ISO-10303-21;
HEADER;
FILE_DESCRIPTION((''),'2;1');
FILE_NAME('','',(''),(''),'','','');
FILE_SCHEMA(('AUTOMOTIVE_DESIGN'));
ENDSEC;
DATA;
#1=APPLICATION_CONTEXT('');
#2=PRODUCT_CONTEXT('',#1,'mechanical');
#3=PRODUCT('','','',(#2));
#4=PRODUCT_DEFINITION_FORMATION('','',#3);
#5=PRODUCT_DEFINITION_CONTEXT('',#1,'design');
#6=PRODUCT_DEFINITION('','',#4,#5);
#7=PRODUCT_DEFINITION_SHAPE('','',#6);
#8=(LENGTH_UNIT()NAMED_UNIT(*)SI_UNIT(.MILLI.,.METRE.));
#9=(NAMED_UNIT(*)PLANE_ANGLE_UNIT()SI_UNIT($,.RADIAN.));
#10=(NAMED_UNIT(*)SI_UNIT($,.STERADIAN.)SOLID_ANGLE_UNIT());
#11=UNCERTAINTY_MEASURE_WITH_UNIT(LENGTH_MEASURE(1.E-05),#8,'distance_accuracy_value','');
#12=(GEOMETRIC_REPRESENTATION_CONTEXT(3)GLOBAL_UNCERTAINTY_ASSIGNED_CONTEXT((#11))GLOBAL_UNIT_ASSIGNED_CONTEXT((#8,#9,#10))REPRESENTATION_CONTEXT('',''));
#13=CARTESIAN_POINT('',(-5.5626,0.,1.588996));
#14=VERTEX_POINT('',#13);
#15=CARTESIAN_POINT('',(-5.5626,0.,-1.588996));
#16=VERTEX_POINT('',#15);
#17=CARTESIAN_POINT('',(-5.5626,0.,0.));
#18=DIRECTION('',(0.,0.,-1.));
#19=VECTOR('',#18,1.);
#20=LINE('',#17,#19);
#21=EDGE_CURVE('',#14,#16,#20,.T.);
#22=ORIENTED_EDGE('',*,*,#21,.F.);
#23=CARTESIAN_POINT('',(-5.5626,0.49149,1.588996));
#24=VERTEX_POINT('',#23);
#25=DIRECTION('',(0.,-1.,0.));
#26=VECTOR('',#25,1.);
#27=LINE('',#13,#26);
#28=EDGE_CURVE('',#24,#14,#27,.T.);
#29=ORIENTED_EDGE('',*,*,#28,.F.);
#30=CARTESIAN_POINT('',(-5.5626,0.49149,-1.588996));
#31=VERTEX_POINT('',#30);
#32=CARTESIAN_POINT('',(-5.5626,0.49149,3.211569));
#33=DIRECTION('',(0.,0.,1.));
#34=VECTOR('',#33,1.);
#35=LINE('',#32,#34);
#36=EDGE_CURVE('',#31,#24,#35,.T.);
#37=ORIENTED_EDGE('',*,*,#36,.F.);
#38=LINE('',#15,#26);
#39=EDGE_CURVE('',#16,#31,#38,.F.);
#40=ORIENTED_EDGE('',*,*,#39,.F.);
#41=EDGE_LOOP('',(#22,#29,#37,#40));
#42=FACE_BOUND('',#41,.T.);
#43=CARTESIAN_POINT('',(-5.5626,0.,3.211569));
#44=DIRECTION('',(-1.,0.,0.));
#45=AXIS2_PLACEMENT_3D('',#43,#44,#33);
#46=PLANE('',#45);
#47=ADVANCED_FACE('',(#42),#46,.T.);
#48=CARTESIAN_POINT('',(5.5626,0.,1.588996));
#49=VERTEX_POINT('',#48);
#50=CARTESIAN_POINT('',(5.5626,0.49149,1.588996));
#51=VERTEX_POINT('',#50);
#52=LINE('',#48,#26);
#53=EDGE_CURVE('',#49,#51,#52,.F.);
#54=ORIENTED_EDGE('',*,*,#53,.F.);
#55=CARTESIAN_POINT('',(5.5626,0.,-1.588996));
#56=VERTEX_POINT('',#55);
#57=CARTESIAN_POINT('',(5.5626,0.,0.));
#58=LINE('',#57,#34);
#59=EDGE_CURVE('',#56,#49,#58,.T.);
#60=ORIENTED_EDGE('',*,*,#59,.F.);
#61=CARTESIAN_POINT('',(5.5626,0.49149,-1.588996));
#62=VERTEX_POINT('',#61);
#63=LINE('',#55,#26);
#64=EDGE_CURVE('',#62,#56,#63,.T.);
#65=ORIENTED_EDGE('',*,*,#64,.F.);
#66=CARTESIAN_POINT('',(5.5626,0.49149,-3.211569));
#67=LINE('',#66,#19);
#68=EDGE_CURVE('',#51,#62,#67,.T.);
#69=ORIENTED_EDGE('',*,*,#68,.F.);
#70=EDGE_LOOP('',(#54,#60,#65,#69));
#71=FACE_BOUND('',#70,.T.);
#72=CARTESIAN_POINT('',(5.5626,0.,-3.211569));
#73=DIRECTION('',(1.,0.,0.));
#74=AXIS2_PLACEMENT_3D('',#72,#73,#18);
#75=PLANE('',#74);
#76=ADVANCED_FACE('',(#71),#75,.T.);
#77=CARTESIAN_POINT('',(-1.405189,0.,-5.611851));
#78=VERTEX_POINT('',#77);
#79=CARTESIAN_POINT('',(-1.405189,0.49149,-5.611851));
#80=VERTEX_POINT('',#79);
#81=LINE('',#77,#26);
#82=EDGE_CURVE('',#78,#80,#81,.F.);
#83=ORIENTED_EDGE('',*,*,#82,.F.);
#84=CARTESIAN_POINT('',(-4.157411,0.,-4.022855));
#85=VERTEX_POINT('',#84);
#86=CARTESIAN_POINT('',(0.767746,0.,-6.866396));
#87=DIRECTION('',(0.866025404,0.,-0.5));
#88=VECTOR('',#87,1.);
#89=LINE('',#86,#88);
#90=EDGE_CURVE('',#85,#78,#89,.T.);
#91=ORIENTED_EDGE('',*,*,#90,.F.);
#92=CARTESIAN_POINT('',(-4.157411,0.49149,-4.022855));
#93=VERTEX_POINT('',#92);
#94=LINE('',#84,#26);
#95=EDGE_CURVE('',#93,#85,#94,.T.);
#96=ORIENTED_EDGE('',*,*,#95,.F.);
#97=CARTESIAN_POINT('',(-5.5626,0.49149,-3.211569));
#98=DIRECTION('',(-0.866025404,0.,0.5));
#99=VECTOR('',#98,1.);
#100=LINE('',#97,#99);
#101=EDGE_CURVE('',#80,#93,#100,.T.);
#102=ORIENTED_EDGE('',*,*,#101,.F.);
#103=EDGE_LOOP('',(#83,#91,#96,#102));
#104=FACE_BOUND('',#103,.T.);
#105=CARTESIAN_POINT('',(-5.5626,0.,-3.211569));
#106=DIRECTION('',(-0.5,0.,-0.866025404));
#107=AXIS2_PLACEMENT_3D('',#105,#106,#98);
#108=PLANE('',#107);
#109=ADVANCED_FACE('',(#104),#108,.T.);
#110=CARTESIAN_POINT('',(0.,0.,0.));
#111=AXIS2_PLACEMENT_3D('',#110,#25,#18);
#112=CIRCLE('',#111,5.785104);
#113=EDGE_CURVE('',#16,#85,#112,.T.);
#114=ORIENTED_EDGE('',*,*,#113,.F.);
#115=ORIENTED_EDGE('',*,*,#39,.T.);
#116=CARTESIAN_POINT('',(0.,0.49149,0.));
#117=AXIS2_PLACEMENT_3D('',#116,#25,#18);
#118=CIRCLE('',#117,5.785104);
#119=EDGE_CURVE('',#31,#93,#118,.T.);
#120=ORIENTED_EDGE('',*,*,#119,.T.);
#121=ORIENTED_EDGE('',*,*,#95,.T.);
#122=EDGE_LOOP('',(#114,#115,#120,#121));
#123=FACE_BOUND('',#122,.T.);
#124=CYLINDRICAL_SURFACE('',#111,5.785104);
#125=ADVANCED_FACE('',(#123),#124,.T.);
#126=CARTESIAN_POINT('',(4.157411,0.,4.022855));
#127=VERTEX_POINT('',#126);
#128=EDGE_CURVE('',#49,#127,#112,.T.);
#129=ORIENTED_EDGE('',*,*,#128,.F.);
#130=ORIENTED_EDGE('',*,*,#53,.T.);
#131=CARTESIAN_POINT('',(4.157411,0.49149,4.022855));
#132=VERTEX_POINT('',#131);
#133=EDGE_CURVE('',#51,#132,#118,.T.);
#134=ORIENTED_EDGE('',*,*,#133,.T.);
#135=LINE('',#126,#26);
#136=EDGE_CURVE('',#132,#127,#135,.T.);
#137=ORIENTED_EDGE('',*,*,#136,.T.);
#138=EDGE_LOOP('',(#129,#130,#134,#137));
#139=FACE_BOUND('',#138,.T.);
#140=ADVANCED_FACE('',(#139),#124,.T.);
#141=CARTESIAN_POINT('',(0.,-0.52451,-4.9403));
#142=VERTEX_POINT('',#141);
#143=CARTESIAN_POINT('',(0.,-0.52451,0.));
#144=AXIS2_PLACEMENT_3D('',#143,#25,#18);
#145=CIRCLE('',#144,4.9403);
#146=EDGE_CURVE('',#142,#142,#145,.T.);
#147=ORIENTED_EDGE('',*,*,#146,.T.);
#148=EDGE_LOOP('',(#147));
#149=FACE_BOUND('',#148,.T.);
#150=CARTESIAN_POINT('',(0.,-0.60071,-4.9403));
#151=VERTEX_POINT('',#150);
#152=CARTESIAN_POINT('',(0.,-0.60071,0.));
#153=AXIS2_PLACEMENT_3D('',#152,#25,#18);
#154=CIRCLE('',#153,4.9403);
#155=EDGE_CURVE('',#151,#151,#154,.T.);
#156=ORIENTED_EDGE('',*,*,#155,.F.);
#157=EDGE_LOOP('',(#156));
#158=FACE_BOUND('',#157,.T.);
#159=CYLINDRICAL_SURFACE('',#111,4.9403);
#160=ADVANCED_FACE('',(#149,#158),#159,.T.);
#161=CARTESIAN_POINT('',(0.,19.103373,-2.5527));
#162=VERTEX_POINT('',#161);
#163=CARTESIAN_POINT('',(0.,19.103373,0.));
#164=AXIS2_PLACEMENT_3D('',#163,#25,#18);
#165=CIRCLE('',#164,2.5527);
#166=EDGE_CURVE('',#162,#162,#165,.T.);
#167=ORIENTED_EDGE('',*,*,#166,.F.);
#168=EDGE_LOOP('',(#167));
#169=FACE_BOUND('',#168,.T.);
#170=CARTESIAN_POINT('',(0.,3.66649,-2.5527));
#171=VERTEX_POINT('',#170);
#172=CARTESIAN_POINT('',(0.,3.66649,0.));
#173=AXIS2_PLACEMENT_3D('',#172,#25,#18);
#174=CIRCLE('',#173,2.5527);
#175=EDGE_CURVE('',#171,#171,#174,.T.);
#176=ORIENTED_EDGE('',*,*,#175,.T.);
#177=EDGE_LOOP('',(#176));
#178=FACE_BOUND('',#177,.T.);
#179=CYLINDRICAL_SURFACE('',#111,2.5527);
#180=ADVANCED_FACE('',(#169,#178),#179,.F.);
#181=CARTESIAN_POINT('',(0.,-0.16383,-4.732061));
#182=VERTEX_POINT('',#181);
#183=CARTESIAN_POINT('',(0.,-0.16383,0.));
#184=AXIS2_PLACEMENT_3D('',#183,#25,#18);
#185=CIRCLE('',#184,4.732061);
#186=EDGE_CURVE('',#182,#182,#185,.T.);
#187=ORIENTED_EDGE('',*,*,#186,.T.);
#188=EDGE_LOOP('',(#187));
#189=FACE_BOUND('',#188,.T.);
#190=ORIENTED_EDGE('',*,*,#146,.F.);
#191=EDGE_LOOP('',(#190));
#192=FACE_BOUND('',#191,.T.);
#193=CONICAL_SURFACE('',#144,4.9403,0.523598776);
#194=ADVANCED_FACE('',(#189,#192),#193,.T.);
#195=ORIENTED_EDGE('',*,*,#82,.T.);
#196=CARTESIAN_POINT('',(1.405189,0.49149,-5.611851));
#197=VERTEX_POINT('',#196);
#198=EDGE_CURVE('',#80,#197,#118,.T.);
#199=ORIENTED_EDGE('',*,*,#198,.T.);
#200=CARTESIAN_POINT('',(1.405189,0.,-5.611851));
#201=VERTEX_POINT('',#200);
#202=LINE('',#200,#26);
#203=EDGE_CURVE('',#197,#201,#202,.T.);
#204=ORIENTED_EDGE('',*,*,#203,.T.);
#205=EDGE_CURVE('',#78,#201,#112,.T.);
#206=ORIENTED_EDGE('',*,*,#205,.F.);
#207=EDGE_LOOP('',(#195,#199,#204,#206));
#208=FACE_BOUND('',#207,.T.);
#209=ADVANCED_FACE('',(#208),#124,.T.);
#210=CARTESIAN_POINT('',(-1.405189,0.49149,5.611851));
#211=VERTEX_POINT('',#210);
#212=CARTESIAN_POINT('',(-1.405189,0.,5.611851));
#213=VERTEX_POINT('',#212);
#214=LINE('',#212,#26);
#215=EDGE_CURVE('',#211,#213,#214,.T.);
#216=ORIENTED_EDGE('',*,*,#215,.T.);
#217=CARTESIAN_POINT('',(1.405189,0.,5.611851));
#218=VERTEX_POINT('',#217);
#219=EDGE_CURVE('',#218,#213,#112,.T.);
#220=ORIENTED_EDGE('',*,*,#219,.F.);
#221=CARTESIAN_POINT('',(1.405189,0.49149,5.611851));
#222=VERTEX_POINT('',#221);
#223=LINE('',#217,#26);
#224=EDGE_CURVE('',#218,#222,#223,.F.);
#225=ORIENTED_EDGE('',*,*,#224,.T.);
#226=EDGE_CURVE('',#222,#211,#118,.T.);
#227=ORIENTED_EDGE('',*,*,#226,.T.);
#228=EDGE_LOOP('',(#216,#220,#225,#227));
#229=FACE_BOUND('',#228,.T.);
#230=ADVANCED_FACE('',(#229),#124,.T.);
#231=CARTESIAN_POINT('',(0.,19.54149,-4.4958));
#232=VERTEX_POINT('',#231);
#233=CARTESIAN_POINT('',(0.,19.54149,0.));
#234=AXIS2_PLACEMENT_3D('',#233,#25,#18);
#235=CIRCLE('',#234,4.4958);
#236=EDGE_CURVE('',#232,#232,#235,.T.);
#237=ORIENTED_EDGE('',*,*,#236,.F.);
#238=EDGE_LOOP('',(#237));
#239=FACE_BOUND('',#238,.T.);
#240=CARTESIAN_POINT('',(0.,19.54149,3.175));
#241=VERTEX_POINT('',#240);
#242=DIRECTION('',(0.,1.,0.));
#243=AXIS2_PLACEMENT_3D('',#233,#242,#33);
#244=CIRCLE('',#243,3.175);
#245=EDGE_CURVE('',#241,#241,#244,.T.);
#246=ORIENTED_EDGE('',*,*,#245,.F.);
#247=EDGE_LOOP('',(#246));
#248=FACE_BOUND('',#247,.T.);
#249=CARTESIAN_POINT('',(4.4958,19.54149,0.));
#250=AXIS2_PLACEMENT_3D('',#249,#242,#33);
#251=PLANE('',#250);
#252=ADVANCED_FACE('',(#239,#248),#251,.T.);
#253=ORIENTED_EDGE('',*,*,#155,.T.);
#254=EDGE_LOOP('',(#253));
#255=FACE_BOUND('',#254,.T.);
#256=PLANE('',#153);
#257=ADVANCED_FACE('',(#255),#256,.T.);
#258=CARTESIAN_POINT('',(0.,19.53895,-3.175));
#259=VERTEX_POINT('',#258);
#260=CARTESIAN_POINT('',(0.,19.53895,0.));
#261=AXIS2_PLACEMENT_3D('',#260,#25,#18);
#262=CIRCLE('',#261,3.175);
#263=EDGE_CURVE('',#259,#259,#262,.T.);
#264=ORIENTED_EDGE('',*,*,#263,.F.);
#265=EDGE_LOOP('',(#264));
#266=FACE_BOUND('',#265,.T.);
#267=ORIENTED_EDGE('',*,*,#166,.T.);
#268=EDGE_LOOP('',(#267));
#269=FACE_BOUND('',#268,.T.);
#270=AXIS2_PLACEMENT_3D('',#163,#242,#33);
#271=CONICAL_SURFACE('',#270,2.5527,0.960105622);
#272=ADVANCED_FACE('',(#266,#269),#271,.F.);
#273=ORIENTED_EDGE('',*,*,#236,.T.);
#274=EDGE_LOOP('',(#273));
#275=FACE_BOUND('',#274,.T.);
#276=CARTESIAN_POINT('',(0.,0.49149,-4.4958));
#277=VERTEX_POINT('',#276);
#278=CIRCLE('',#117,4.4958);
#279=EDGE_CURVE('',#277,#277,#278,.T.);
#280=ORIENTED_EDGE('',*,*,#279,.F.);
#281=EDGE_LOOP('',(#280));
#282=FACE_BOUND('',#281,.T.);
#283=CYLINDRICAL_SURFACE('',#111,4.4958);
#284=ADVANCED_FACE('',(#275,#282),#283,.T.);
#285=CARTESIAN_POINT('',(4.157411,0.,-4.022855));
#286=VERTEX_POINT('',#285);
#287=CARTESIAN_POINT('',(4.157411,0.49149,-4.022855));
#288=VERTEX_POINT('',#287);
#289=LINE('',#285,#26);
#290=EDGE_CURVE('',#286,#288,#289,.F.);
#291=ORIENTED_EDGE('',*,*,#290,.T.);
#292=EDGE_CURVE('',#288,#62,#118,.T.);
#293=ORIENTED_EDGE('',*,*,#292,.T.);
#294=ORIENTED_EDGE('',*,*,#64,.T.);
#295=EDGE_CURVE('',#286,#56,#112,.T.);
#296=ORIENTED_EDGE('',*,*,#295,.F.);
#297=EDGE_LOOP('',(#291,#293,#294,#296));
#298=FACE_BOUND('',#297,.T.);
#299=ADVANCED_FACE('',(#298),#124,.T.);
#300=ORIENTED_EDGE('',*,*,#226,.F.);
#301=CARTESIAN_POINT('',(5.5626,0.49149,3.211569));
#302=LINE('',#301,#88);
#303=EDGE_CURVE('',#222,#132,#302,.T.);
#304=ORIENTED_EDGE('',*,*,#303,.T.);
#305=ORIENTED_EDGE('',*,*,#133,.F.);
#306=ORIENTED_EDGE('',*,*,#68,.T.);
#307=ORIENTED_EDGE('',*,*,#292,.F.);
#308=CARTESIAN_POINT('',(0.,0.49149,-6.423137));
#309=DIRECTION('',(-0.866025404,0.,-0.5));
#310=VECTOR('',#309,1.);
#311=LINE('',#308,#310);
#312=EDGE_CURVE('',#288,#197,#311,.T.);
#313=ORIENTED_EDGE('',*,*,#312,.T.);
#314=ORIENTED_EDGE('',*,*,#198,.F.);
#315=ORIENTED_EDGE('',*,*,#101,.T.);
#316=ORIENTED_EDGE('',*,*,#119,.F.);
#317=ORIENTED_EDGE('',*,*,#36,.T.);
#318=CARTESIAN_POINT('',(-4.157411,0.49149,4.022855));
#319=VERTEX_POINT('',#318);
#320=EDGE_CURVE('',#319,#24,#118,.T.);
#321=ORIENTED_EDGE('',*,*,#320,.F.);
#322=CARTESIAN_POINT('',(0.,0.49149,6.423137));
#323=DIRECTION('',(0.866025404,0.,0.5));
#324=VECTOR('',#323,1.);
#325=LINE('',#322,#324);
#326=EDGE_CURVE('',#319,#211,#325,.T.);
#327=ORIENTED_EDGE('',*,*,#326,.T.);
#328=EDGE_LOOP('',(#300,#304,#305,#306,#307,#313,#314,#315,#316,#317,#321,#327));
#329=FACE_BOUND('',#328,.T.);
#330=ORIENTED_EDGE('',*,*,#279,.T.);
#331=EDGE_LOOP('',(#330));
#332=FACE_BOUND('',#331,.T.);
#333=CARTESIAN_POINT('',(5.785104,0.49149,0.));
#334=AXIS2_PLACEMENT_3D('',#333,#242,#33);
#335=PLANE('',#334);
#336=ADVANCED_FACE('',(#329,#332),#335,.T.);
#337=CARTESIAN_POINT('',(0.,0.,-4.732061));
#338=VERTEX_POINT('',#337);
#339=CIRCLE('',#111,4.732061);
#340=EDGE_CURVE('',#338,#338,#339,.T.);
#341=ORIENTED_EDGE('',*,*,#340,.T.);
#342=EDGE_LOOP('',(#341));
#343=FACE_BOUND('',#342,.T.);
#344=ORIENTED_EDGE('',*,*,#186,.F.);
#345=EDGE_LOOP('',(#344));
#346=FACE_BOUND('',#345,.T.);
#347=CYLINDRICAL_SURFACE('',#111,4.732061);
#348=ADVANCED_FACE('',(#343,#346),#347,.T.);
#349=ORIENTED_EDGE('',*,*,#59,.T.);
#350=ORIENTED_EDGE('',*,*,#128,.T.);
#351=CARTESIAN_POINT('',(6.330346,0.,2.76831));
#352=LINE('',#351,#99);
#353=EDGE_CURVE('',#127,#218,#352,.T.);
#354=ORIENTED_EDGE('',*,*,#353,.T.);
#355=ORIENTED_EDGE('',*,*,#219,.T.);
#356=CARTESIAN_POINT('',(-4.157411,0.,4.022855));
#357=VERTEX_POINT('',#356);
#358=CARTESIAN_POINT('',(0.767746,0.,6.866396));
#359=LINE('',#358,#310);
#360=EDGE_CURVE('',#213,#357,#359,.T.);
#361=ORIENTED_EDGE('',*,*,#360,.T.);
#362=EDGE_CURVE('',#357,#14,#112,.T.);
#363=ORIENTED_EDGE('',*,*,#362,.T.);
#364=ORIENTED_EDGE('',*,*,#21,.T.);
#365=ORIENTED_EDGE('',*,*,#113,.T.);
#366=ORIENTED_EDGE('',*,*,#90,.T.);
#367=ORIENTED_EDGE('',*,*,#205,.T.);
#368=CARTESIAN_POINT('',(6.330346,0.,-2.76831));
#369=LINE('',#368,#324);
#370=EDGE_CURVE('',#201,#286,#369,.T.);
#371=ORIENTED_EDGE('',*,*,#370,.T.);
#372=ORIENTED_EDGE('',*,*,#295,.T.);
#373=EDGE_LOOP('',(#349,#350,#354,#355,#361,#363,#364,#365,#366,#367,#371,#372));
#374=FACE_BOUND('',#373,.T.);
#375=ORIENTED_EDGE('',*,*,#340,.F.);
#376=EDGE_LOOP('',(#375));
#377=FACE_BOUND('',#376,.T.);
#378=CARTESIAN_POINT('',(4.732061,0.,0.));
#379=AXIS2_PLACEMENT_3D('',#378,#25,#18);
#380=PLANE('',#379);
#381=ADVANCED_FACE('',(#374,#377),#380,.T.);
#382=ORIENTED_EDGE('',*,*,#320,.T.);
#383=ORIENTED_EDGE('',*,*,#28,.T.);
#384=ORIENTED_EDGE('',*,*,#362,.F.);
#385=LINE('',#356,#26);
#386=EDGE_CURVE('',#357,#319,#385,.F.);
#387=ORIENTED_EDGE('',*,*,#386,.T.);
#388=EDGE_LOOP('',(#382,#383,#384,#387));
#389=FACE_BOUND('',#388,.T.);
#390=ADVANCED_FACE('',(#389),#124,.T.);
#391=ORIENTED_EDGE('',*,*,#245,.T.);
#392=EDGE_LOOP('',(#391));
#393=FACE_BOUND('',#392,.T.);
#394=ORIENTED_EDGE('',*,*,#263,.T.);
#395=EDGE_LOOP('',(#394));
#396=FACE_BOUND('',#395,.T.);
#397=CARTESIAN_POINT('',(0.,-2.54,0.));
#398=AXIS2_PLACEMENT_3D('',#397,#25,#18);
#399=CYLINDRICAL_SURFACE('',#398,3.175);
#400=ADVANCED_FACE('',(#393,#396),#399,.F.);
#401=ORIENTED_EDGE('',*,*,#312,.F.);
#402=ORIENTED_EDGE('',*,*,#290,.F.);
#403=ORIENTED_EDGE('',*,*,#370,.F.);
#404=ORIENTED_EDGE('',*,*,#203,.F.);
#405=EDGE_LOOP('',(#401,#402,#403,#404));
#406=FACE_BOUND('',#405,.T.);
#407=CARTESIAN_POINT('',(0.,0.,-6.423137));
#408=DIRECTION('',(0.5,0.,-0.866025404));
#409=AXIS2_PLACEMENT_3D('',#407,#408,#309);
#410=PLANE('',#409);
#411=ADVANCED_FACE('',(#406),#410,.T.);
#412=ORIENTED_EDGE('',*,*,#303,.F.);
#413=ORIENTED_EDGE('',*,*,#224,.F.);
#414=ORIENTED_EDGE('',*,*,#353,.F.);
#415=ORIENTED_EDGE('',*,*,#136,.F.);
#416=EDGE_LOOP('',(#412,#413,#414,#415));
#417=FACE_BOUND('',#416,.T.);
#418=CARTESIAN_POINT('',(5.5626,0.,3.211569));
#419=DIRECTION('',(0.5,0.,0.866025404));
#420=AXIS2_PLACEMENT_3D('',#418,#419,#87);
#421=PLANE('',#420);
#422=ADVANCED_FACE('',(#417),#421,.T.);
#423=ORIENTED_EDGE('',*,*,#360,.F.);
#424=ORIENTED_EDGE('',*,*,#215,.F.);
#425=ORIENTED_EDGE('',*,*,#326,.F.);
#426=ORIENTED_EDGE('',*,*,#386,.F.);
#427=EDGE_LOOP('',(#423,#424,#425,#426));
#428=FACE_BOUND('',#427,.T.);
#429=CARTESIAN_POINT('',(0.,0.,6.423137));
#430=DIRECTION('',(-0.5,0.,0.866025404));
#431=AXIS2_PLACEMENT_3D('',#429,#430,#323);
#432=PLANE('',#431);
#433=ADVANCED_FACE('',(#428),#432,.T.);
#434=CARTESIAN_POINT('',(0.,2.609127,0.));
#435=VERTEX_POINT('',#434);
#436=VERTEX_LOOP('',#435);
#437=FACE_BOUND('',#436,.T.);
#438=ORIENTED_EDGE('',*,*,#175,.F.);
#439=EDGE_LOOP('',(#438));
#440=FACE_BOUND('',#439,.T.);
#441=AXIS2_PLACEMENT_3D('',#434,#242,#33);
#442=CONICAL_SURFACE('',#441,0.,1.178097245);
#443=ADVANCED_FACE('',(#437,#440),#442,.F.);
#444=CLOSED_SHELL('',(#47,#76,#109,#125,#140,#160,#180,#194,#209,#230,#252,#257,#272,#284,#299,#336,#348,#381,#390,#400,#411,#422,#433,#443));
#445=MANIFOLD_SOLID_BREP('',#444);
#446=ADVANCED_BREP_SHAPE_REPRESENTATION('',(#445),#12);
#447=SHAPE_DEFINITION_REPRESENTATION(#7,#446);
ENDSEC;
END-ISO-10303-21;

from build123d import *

# Parameters (mm, degrees)
HEXDIESKE_R  = 6.465316
HEXDIE_DEPTH = 0.49149


with BuildPart() as part:
    # BodySke → Body (revolve)
    with BuildSketch(Plane.XY, mode=Mode.PRIVATE) as body_sk:
        Polygon((4.732061305, 0), (5.785104, 0), (5.785104, 0.49149), (4.4958, 0.49149), (4.4958, 19.54149), (2.5527, 19.54149), (2.5527, 10.01649), (0, 10.01649), (0, -0.60071), (4.9403, -0.60071), (4.9403, -0.52451), (4.732061305, -0.16383), align=None)
    revolve(body_sk.sketch.rotate(Axis((0, 0, 0), (0, 1, 0)), 90), axis=Axis((0, 0, 0), (0, 1, 0)))

    # TapDriSke → TapDrill (revolve, cut)
    with BuildSketch(Plane.XY, mode=Mode.PRIVATE) as tapdrill_sk:
        Polygon((2.5527, 3.66649), (2.5527, 19.54149), (0, 19.54149), (0, 2.609127039), align=None)
    revolve(tapdrill_sk.sketch.rotate(Axis((0, 0, 0), (0, 1, 0)), 90), axis=Axis((0, 0, 0), (0, 1, 0)), mode=Mode.SUBTRACT)

    # EndChamferSke → EndChamfer (revolve, cut)
    with BuildSketch(Plane.XY, mode=Mode.PRIVATE) as endchamfer_sk:
        Polygon((3.175, 19.53895), (2.5527, 19.103372692), (2.5527, 19.79549), (3.175, 19.79549), align=None)
    revolve(endchamfer_sk.sketch.rotate(Axis((0, -2.54, 0), (0, 1, 0)), 90), axis=Axis((0, -2.54, 0), (0, 1, 0)), mode=Mode.SUBTRACT)

    # HexDieSke → HexDie (cut)
    with BuildSketch(Plane(origin=(0, 0.49149, 0), x_dir=(-1, 0, 0), z_dir=(0, 1, 0))):
        Circle(HEXDIESKE_R)
        Polygon((0, 6.423137215), (5.5626, 3.211568607), (5.5626, -3.211568607), (0, -6.423137215), (-5.5626, -3.211568607), (-5.5626, 3.211568607), align=None, mode=Mode.SUBTRACT)
    extrude(amount=-HEXDIE_DEPTH, mode=Mode.SUBTRACT)


solid = part.part
